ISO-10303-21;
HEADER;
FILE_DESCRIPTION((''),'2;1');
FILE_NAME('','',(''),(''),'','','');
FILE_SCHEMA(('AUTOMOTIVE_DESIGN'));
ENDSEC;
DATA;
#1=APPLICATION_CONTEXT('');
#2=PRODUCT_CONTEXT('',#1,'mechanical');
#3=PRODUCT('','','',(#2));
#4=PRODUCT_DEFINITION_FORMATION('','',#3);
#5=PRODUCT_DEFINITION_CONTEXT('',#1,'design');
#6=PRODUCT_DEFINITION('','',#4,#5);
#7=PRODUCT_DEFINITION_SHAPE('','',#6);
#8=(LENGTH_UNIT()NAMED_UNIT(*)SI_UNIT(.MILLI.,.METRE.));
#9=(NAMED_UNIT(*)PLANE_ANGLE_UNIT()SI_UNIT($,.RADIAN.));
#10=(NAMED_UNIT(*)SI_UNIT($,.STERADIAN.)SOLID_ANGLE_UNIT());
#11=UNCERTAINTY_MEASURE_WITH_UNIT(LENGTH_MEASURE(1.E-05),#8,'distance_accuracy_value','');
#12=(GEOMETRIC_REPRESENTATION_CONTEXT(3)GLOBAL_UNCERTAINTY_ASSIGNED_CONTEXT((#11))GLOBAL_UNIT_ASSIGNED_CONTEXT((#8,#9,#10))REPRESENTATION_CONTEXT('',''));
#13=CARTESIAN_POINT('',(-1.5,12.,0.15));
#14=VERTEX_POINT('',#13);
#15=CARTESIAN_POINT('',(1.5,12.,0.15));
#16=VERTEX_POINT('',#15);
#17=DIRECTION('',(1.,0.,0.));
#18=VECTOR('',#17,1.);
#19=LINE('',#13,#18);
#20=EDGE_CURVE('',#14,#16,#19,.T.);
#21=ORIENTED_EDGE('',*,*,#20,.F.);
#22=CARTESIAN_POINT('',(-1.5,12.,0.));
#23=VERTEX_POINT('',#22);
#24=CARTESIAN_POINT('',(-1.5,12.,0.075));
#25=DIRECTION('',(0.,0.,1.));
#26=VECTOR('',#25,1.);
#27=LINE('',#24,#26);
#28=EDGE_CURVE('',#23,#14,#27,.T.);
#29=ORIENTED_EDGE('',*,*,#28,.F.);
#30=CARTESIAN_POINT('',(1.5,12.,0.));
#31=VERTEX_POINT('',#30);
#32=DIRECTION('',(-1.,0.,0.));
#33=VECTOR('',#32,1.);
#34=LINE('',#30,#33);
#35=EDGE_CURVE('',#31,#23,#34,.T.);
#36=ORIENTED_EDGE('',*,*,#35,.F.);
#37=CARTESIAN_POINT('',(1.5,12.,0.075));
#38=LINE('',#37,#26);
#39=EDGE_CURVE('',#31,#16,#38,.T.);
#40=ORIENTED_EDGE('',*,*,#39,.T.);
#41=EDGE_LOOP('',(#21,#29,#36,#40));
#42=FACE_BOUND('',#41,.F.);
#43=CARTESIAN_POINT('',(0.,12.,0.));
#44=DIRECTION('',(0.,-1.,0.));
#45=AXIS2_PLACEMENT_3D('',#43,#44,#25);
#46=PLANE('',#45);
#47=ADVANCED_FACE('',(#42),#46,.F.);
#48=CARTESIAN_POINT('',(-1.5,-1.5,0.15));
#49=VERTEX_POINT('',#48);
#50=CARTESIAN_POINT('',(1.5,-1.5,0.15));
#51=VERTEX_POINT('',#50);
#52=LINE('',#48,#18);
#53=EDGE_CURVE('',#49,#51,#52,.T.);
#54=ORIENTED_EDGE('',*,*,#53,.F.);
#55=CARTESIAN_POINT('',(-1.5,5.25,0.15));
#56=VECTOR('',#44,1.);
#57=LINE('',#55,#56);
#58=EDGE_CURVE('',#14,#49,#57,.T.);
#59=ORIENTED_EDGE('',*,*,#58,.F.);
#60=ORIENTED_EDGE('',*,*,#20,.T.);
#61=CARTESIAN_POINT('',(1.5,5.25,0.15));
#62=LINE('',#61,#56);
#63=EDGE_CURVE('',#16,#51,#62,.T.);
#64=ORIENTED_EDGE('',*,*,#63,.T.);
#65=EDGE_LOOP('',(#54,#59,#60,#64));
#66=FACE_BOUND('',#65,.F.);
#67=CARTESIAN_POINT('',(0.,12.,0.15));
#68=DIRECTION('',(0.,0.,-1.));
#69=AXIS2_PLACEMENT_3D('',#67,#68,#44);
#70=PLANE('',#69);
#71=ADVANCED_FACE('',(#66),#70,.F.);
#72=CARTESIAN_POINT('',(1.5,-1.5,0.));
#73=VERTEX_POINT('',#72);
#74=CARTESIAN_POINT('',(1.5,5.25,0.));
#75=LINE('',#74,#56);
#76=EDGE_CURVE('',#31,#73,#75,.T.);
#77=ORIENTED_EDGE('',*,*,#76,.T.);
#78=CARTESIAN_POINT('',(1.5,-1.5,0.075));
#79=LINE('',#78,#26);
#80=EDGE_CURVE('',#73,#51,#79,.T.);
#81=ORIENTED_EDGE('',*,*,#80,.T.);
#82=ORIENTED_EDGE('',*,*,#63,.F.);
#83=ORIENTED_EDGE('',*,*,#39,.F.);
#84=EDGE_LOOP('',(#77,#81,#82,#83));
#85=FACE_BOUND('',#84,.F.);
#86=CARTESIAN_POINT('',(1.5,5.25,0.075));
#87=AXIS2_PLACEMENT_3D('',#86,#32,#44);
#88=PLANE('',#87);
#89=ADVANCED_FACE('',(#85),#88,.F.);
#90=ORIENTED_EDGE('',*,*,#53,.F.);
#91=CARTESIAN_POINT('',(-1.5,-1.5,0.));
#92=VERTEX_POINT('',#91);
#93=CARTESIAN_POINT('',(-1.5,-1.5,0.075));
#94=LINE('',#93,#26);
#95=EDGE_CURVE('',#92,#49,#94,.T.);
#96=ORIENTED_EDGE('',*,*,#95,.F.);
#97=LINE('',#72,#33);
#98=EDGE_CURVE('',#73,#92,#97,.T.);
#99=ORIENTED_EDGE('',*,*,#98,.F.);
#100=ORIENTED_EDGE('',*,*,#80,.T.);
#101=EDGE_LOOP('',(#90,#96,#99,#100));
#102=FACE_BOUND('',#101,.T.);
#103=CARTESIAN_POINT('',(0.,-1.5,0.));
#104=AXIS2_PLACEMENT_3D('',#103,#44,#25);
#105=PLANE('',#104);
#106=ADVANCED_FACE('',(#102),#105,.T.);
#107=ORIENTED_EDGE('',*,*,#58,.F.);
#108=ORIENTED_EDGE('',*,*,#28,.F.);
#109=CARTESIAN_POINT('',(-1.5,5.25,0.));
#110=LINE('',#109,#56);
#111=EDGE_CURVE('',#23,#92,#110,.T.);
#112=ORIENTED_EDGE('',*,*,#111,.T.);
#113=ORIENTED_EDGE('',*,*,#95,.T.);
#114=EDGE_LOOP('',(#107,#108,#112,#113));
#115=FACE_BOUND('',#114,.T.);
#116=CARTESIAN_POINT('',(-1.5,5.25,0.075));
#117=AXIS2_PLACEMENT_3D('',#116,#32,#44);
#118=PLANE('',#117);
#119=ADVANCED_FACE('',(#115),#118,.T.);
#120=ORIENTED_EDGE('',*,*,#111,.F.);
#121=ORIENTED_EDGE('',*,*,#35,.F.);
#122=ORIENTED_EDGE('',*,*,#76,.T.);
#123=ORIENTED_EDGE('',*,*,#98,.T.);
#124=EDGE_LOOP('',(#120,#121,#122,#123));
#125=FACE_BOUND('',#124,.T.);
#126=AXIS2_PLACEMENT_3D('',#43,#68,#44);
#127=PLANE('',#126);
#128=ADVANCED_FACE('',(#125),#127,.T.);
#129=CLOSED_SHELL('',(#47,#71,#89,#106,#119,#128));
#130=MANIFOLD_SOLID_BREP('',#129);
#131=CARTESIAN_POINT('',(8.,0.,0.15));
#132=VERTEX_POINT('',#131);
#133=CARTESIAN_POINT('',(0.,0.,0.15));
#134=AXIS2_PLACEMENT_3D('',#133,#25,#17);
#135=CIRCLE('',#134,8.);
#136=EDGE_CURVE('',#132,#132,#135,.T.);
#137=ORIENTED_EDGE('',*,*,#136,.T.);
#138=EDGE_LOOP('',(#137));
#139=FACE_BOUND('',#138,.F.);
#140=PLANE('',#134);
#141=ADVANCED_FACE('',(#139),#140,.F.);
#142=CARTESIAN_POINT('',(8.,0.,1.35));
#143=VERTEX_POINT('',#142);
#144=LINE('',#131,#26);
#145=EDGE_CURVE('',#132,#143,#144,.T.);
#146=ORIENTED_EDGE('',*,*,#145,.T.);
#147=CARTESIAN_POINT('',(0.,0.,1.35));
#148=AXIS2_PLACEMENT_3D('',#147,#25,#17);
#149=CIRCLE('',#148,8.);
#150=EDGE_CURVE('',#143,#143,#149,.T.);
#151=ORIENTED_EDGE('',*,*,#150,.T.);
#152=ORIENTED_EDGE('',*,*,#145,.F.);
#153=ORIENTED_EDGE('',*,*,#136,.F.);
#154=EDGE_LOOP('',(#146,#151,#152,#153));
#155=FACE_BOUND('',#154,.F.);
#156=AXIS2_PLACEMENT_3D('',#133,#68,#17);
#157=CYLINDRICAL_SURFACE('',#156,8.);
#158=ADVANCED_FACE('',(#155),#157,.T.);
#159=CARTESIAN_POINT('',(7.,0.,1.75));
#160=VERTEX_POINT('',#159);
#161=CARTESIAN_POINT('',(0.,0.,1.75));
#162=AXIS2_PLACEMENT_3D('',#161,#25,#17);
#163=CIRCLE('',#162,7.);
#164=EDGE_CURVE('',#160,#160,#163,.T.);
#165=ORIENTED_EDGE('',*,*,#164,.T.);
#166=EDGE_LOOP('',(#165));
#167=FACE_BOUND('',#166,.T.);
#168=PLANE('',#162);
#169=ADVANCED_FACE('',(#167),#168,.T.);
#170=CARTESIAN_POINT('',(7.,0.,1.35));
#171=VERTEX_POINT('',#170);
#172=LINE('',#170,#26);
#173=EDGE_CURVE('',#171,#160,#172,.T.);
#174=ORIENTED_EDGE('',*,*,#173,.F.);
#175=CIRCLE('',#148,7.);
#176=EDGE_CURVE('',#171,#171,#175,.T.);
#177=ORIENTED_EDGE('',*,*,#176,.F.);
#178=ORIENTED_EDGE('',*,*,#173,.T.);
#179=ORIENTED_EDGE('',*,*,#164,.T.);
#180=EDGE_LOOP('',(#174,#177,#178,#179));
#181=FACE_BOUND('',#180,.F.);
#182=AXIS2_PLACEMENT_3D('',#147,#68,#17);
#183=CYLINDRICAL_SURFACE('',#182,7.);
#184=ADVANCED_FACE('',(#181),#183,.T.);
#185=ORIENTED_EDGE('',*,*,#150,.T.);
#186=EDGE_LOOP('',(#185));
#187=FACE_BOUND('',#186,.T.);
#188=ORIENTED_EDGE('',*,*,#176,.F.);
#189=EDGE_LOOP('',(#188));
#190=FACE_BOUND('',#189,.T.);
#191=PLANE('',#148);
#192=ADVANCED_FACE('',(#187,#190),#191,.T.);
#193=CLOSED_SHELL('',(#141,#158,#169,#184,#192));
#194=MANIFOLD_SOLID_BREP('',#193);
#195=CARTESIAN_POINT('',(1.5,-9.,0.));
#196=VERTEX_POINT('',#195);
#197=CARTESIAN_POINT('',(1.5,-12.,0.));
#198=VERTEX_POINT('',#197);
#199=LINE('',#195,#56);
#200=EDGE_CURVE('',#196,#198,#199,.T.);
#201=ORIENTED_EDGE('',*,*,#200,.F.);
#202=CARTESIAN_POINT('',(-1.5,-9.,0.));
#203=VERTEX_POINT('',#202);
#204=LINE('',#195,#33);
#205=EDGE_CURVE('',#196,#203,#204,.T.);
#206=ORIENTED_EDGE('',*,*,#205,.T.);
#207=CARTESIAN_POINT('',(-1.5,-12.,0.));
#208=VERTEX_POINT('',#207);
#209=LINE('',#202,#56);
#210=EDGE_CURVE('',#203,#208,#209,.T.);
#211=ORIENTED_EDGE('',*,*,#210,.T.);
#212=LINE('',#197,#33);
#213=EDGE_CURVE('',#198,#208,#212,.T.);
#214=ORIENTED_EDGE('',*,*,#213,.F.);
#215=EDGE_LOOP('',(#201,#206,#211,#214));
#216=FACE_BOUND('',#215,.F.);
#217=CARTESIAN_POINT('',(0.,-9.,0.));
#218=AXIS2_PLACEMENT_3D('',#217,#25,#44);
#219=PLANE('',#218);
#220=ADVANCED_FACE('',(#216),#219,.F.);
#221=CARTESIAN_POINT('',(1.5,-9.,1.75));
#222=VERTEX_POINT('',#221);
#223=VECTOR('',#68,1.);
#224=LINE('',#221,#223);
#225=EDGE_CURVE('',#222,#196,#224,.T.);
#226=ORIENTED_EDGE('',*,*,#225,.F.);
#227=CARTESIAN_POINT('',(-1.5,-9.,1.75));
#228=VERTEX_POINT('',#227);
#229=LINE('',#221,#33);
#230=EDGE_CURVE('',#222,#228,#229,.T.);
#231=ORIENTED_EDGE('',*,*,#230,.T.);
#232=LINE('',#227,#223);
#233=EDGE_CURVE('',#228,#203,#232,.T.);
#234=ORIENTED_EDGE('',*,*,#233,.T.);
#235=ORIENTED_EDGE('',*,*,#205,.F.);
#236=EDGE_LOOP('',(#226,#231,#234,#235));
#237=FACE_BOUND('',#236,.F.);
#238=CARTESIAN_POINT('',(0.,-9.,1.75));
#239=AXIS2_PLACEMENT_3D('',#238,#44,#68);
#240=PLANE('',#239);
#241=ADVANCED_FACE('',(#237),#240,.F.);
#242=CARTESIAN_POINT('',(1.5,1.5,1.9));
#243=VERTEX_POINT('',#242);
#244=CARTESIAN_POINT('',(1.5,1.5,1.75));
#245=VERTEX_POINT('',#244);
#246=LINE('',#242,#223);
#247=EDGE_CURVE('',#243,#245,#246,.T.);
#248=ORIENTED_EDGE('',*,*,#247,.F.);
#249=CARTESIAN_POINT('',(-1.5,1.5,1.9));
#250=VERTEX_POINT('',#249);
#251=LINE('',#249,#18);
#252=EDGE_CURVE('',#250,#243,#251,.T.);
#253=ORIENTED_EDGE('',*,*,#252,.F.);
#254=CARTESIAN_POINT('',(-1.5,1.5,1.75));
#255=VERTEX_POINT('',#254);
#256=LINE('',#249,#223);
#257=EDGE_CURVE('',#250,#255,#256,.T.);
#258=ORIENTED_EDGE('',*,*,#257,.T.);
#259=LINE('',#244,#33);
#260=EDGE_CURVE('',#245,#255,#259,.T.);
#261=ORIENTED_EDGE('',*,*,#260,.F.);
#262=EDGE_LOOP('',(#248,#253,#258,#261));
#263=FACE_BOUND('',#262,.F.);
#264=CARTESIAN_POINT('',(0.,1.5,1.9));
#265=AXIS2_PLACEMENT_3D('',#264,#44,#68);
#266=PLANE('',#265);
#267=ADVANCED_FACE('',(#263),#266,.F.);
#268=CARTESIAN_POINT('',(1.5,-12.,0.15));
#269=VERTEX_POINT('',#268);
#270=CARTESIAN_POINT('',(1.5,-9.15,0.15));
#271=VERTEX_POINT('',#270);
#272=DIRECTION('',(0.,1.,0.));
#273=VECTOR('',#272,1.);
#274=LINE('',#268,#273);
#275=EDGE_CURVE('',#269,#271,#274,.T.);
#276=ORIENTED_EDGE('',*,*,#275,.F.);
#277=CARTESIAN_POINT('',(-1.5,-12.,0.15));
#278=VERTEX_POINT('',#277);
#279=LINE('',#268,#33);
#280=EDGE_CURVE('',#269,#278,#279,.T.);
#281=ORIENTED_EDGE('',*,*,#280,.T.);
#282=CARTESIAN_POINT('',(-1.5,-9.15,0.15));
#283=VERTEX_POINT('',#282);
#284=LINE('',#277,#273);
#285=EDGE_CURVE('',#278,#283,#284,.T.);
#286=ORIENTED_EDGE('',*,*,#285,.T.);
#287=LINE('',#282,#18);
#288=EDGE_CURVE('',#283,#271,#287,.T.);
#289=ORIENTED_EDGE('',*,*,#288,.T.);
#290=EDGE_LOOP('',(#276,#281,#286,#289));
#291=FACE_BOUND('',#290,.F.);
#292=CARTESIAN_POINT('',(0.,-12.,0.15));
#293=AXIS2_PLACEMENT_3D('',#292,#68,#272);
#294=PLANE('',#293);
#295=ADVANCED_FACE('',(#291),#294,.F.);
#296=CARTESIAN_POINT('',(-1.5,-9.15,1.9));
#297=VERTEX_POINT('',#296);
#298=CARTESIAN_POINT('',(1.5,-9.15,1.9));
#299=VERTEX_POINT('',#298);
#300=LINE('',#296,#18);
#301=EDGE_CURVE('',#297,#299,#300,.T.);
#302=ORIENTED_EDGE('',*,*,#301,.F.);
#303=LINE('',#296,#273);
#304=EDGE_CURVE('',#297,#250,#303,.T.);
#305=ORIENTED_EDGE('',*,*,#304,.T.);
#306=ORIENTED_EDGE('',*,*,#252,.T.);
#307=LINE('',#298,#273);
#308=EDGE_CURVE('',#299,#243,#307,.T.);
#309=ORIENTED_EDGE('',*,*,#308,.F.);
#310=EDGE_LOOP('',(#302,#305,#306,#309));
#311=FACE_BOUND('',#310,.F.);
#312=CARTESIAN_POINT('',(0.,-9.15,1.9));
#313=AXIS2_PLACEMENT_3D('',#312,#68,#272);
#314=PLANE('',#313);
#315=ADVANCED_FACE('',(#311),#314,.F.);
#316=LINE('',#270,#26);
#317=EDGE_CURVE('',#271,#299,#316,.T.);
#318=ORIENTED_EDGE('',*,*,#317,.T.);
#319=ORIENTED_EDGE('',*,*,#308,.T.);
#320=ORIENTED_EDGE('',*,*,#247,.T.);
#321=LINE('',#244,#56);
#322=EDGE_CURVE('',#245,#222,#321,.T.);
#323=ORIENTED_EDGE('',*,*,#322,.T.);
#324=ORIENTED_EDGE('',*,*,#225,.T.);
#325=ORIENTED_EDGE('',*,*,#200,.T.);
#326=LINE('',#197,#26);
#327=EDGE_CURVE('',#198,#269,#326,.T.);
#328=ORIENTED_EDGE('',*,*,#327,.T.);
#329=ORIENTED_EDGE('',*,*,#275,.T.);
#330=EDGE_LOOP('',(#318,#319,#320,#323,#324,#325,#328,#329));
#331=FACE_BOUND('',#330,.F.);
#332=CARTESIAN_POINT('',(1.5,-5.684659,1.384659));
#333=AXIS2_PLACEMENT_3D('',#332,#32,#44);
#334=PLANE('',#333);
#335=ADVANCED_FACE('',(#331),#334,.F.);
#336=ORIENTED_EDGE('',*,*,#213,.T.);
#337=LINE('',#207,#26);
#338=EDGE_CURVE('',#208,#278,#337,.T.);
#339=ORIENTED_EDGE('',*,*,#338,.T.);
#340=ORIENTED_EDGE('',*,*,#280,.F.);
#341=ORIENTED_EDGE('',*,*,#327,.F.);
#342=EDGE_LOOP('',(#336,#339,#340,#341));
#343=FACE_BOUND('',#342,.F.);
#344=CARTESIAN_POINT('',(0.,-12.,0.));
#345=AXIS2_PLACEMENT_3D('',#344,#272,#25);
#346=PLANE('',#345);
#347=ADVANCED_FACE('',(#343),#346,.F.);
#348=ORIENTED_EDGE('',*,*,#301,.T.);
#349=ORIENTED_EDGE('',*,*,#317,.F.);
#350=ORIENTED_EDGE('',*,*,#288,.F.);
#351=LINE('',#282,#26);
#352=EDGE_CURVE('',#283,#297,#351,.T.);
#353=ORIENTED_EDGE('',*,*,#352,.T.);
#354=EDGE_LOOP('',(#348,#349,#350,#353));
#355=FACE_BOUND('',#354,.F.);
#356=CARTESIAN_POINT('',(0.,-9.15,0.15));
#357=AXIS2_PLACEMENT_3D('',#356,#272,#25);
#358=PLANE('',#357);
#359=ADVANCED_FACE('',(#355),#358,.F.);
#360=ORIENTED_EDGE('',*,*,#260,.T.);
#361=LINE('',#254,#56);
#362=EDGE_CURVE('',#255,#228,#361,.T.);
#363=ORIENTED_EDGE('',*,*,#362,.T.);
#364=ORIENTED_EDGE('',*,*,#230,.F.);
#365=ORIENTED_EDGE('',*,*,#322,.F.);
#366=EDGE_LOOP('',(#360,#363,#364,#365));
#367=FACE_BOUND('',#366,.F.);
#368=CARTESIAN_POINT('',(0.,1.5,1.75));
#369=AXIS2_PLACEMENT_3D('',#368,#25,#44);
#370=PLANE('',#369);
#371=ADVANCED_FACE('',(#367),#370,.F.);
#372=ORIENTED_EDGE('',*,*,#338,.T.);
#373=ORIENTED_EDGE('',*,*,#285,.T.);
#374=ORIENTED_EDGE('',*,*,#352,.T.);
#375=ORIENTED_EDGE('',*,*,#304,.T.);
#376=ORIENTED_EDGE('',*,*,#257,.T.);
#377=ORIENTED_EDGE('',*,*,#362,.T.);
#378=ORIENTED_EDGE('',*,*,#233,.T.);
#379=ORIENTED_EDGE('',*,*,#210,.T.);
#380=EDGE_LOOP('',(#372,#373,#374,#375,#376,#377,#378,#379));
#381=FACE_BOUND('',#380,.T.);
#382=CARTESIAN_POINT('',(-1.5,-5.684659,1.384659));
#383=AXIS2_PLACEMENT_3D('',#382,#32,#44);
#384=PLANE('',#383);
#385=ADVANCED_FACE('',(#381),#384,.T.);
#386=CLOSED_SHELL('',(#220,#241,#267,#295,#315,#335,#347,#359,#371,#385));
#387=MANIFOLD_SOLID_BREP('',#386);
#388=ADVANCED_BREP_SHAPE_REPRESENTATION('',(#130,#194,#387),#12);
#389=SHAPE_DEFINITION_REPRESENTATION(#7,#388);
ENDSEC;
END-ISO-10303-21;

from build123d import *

# Parameters (mm, degrees)
SKETCH_R                = 8
PAD_DEPTH               = 1.2
SKETCH001_R             = 7
PAD001_DEPTH            = 0.4
SKETCH003_W             = 13.5
SKETCH003_H             = 0.15
PAD003_DEPTH            = 1.5
BODY001_PLACEMENT_ANGLE = 180


with BuildPart() as battery:
    # Sketch (on XY_Plane of Origin) → Pad (new body)
    with BuildSketch(Plane.XY.offset(0.15)):
        Circle(SKETCH_R)
    extrude(amount=PAD_DEPTH)

    # Sketch001 (on Face3 of Pad) → Pad001 (join)
    with BuildSketch(Plane.XY.offset(1.35)):
        Circle(SKETCH001_R)
    extrude(amount=PAD001_DEPTH)


with BuildPart() as tabs:
    # Sketch003 (on YZ_Plane of Origin) → Pad003 (new body, symmetric)
    with BuildSketch(Plane.YZ):
        Polygon((-1.5, 1.9), (-1.5, 1.75), (9, 1.75), (9, 0), (12, 0), (12, 0.15), (9.15, 0.15), (9.15, 1.9), align=None)
        with Locations((-5.25, 0.075)):
            Rectangle(SKETCH003_W, SKETCH003_H)
    extrude(amount=PAD003_DEPTH, both=True)


with BuildPart() as tabs_1:
    # Body001 placement: moved
    add(tabs.part.rotate(Axis((0, 0, 0), (0, 0, 1)), BODY001_PLACEMENT_ANGLE))


solid = Compound([battery.part, tabs_1.part])
